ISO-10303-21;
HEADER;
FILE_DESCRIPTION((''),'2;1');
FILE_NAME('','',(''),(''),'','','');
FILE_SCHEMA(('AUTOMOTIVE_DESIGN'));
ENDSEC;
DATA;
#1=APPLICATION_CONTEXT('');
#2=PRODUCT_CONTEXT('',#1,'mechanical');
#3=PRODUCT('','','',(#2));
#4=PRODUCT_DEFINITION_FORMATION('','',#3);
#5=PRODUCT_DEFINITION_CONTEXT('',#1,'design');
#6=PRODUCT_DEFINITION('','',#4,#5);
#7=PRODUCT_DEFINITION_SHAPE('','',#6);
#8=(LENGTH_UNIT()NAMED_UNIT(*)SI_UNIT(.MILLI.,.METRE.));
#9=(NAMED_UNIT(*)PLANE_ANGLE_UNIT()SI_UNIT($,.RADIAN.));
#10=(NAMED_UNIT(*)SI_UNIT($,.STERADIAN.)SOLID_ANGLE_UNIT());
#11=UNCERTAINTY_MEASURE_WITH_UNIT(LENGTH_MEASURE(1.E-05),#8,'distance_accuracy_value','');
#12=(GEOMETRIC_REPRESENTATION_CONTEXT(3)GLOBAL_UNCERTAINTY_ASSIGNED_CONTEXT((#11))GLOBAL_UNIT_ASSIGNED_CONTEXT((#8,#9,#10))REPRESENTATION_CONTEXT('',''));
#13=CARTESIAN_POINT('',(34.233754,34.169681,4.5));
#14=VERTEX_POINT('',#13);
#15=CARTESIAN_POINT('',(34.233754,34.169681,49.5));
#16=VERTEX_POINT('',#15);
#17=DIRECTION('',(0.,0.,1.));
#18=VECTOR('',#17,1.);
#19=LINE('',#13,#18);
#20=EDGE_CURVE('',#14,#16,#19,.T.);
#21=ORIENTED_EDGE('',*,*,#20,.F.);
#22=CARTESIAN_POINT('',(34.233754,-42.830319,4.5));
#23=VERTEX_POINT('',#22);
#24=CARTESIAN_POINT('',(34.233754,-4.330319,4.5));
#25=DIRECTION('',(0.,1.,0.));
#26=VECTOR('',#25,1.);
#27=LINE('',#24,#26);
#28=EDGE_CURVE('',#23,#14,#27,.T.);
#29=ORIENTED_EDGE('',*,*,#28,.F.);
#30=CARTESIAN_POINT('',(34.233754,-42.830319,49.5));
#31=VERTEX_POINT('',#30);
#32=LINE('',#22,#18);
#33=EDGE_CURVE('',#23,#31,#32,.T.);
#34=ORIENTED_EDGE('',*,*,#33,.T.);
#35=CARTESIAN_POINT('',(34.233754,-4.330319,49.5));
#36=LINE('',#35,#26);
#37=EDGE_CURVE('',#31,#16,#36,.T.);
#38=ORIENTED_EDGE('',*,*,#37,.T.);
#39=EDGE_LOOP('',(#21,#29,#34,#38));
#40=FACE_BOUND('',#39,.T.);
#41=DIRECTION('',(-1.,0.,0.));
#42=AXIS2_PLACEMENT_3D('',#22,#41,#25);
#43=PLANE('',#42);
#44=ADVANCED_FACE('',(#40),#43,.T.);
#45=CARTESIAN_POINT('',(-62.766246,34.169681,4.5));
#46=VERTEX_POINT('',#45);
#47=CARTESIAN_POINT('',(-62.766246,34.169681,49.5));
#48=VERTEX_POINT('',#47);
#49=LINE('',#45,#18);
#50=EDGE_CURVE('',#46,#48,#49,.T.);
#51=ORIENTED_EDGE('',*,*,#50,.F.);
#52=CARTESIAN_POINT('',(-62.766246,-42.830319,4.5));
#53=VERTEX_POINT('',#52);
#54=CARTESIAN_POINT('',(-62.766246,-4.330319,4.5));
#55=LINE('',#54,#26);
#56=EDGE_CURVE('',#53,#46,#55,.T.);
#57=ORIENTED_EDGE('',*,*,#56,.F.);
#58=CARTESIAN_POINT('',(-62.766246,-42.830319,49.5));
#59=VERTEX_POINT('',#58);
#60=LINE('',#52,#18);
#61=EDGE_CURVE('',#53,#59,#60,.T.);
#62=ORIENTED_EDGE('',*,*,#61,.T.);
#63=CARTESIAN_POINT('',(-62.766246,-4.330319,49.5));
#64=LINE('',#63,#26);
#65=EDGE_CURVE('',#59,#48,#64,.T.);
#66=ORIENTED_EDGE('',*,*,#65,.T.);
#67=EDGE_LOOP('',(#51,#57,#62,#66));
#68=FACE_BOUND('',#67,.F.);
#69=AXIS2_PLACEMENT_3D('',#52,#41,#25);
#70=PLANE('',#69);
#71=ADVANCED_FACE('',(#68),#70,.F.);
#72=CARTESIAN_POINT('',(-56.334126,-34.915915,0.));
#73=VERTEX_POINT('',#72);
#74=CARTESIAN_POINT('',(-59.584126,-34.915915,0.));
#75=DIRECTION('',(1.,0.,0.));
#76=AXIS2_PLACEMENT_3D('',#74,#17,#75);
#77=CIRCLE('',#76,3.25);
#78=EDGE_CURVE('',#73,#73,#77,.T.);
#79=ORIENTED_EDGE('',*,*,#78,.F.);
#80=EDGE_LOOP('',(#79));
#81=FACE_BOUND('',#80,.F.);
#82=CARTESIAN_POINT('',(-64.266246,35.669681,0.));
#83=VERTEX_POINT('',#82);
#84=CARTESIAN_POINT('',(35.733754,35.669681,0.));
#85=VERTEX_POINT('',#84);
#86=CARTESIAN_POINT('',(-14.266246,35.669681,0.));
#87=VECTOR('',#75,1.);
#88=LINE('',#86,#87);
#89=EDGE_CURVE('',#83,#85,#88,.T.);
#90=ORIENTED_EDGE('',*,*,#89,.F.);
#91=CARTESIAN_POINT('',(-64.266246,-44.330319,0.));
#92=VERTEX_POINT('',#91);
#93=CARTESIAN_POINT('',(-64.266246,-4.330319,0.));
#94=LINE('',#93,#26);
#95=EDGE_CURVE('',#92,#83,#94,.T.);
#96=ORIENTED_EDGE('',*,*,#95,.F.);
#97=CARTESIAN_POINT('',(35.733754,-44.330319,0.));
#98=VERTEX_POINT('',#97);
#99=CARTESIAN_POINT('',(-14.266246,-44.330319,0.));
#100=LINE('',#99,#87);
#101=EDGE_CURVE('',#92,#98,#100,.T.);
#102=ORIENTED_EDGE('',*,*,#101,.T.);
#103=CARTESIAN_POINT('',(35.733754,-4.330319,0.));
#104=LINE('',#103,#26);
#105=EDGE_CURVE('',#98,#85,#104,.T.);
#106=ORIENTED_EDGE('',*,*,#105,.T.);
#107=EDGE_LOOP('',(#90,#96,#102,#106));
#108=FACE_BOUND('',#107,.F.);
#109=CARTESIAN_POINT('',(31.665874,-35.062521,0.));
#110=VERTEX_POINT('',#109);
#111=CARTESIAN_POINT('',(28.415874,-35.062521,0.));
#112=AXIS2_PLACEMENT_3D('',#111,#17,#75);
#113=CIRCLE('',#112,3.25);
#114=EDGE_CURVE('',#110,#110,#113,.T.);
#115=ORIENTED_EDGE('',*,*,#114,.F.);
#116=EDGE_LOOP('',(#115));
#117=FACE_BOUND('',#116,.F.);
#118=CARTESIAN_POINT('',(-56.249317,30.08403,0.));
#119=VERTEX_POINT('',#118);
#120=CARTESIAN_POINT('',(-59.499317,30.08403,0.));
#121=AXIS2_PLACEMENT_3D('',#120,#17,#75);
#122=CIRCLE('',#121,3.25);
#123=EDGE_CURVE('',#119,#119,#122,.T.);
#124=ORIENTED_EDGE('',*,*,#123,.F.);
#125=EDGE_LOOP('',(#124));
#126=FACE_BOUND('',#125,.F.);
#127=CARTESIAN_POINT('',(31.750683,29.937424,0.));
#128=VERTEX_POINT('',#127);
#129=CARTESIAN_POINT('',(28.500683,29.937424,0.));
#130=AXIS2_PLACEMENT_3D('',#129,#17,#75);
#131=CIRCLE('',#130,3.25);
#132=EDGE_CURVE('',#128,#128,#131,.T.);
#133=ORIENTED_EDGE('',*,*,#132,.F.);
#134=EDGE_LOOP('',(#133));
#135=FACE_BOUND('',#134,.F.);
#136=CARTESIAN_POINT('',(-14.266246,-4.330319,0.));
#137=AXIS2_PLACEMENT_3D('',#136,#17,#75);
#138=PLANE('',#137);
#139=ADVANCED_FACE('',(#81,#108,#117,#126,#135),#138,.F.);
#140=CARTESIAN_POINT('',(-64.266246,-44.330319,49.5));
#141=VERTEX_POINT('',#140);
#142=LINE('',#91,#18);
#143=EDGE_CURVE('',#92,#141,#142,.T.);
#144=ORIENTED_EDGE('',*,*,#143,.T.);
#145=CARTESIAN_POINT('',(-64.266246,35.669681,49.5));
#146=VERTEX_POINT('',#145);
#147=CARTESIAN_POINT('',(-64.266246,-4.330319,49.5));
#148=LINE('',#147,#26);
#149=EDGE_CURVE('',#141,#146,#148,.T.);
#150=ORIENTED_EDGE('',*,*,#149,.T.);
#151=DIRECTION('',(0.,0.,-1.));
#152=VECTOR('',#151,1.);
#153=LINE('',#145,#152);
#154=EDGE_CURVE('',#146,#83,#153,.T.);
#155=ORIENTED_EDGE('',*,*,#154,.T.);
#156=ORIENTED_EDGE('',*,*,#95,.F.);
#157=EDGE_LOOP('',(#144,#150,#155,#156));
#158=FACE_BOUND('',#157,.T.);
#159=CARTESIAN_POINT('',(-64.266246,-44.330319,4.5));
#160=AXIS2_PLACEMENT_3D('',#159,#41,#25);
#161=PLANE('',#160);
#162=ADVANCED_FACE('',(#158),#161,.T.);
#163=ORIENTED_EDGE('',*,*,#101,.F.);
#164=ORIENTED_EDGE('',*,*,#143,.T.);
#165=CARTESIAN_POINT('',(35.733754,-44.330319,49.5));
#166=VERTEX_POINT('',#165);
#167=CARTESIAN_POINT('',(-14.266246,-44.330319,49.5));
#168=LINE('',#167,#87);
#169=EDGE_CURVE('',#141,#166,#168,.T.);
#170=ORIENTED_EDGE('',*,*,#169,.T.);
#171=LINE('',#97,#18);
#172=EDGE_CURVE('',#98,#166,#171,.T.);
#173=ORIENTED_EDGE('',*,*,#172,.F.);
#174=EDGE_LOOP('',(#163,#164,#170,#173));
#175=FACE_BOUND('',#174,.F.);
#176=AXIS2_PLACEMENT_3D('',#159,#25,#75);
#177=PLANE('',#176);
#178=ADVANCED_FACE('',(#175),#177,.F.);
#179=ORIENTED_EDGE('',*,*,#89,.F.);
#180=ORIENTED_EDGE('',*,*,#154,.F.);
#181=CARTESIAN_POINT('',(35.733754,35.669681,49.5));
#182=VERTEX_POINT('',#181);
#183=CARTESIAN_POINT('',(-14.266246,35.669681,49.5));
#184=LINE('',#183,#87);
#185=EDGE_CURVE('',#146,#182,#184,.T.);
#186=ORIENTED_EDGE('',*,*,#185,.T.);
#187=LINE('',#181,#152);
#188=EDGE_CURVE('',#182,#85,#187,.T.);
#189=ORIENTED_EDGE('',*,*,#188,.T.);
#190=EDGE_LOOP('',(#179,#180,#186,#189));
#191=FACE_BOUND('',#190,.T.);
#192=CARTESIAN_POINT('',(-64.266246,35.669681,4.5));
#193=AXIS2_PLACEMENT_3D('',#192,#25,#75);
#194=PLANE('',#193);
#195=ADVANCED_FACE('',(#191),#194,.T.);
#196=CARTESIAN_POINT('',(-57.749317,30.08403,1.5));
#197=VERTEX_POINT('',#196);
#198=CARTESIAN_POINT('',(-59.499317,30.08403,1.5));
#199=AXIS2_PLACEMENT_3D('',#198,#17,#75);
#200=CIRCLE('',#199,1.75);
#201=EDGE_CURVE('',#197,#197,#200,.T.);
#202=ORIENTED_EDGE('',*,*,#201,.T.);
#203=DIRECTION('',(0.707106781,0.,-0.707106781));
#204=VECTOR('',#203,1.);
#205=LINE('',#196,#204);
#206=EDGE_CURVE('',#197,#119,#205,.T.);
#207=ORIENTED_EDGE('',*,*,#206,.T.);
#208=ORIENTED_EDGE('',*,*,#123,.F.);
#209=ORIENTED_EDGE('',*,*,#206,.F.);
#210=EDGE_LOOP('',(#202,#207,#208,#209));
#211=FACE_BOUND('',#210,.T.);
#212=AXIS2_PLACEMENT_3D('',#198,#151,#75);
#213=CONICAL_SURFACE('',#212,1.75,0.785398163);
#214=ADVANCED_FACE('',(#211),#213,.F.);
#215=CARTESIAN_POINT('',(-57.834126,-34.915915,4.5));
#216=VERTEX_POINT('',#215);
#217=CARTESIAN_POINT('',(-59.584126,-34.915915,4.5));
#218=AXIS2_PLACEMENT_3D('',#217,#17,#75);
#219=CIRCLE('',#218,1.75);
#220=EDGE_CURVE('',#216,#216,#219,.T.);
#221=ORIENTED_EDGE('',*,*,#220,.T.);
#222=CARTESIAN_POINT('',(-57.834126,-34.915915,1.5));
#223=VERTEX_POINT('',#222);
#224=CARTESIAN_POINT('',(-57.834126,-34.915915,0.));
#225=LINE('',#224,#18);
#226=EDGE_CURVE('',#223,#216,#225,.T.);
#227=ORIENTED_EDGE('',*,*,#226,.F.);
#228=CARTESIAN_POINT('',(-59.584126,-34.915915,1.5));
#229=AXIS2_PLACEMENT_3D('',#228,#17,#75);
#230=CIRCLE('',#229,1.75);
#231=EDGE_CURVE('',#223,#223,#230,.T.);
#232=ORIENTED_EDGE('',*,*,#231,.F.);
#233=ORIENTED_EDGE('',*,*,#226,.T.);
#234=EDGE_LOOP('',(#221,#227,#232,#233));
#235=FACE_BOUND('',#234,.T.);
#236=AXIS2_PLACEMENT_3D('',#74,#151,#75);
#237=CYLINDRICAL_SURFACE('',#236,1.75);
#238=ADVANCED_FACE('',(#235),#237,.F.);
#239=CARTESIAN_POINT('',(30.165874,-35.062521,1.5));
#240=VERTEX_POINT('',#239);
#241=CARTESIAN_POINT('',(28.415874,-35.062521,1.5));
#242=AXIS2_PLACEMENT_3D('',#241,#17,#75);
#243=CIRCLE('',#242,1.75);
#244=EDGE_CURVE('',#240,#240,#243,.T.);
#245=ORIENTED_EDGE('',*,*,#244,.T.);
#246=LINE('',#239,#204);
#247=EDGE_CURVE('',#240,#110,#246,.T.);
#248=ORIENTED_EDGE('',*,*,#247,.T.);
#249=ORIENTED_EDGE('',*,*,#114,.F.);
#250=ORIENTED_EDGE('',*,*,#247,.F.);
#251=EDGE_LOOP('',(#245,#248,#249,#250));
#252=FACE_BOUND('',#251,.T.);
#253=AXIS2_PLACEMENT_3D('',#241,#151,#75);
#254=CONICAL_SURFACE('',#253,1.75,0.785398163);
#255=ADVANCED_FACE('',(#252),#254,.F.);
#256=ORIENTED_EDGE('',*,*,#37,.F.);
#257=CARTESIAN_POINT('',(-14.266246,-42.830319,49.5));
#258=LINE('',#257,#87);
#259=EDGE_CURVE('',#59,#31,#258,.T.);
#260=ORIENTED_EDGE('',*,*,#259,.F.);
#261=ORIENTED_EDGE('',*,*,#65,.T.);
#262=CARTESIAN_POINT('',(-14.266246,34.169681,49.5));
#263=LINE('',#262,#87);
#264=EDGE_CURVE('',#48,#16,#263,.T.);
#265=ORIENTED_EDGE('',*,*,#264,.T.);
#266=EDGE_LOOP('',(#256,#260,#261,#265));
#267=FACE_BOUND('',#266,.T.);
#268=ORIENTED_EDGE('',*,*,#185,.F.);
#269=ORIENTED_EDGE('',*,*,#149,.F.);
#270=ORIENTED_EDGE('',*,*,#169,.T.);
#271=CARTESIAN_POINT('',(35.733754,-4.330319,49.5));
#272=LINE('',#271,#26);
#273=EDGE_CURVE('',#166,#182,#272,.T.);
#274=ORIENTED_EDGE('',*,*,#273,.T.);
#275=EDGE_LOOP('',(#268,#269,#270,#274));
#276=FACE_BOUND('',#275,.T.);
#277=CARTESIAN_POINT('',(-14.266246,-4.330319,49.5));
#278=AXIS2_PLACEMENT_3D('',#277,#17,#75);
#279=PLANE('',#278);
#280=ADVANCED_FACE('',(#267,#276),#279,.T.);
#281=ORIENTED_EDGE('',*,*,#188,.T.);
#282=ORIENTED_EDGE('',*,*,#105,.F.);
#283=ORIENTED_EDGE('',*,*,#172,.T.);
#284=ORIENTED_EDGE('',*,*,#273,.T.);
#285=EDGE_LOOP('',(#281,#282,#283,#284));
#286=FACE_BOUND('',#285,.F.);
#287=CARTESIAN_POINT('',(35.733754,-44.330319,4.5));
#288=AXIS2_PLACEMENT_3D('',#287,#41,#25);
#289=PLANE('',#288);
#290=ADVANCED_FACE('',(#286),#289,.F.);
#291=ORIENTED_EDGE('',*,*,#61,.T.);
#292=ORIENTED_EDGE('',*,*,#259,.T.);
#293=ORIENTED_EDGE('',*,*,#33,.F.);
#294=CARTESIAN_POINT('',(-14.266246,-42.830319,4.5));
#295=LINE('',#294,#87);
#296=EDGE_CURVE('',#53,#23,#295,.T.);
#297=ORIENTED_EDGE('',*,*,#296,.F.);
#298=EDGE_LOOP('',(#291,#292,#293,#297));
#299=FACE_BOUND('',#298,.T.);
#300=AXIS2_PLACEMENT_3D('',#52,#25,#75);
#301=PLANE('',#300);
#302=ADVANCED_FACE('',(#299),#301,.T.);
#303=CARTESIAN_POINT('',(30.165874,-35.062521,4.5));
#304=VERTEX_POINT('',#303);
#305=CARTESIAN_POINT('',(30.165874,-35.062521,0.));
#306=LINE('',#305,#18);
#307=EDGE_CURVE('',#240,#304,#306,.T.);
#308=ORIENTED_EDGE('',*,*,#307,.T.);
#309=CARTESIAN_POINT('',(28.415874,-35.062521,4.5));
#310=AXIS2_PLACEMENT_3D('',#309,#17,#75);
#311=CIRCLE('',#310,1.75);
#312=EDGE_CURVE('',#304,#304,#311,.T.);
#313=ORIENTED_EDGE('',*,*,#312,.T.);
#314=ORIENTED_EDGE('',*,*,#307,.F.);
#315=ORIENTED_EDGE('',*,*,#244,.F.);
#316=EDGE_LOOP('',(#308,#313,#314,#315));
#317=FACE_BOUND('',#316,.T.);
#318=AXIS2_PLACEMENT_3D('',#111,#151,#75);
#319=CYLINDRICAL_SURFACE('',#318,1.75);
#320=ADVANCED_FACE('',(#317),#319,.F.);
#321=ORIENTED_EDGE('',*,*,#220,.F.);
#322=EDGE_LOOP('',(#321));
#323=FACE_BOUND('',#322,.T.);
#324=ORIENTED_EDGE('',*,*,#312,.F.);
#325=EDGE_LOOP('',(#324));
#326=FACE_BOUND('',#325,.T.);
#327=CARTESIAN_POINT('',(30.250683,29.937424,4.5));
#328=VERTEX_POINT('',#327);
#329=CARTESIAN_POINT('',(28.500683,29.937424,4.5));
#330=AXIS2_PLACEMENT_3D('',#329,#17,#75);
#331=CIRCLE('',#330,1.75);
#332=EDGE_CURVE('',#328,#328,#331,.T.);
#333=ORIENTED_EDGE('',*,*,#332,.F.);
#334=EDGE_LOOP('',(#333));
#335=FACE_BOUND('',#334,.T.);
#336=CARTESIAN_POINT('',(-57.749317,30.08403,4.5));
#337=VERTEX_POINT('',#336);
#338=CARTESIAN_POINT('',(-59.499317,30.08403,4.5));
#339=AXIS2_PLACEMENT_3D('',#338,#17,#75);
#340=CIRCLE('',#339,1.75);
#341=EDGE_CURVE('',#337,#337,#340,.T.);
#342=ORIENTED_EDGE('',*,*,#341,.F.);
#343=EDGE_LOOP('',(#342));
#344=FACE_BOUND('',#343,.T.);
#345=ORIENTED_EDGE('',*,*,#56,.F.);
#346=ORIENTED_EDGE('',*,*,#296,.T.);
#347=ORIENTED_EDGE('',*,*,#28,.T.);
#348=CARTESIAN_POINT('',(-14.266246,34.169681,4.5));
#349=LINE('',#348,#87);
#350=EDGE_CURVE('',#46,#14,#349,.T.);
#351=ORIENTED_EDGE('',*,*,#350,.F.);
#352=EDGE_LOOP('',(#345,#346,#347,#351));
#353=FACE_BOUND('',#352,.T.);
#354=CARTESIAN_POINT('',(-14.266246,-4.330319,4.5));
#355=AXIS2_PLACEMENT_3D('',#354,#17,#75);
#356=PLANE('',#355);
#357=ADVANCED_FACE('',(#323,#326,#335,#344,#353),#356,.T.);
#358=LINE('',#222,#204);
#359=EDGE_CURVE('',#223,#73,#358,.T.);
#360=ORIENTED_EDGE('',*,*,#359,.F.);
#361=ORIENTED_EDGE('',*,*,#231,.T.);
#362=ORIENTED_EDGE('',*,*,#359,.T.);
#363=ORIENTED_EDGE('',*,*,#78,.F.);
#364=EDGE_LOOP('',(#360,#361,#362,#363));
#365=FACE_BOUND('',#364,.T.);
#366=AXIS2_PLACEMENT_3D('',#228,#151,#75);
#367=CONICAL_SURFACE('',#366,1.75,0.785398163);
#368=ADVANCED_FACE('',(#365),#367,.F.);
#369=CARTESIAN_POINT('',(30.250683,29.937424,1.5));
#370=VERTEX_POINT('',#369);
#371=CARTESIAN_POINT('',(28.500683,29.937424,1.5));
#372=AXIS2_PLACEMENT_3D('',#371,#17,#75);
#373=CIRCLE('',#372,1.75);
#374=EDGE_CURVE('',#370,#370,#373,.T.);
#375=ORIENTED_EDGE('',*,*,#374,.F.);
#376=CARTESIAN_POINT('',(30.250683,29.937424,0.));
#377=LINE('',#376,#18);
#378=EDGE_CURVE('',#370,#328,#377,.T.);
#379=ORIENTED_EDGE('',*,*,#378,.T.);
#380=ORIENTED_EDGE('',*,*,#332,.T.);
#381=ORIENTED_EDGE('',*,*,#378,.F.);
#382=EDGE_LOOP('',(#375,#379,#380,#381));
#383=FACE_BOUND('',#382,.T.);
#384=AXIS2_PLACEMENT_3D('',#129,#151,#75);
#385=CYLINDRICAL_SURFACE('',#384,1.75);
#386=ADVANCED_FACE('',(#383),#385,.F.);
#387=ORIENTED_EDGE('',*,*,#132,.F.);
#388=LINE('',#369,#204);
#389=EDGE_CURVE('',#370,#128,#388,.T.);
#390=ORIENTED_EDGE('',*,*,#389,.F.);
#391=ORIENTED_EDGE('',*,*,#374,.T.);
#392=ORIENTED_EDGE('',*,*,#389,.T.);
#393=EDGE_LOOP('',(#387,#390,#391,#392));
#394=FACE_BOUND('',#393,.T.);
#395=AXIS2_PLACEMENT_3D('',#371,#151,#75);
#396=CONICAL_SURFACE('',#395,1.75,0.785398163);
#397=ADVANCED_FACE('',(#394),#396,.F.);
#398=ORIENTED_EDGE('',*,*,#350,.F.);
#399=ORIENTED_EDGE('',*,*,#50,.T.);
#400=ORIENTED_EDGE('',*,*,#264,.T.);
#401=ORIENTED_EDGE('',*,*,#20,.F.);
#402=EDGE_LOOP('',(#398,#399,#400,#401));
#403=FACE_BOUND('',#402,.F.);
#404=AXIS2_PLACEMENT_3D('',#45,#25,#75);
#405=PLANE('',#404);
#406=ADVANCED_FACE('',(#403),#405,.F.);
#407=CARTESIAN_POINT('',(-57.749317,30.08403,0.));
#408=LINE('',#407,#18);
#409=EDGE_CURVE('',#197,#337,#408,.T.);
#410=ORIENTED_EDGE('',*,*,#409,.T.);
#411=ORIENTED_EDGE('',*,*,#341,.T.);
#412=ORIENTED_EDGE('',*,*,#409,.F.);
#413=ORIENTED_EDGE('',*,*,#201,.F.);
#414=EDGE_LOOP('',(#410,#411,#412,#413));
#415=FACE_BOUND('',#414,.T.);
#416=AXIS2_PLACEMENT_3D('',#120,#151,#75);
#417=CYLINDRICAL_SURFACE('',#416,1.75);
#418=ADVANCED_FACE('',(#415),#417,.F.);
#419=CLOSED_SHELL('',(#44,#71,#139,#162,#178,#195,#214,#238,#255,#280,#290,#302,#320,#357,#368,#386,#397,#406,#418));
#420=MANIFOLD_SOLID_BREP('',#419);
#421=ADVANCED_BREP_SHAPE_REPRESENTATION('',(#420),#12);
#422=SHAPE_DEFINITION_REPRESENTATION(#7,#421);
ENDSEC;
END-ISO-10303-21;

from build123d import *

# Parameters (mm, degrees)
SKETCH004_W     = 100
SKETCH004_H     = 80
SKETCH004_R     = 1.75
PAD003_DEPTH    = 4.5
CHAMFER001_SIZE = 1.5
SKETCH003_W     = 100
SKETCH003_H     = 80
SKETCH003_W_2   = 97
SKETCH003_H_2   = 77
PAD002_DEPTH    = 45


with BuildPart() as part:
    # Sketch004 → Pad003 (new body)
    with BuildSketch(Plane.XY):
        with Locations((-14.266246, -4.330319)):
            Rectangle(SKETCH004_W, SKETCH004_H)
        with Locations((-59.499317, 30.08403)):
            Circle(SKETCH004_R, mode=Mode.SUBTRACT)
        with Locations((28.500683, 29.937424)):
            Circle(SKETCH004_R, mode=Mode.SUBTRACT)
        with Locations((-59.584126, -34.915915)):
            Circle(SKETCH004_R, mode=Mode.SUBTRACT)
        with Locations((28.415874, -35.062521)):
            Circle(SKETCH004_R, mode=Mode.SUBTRACT)
    extrude(amount=PAD003_DEPTH)

    # Chamfer001
    chamfer001_edges = [part.edges().sort_by_distance(p)[0] for p in [
        (-61.334126, -34.915915, 0),
        (26.665874, -35.062521, 0),
        (26.750683, 29.937424, 0),
        (-61.249317, 30.08403, 0),
    ]]
    chamfer(chamfer001_edges, length=CHAMFER001_SIZE)

    # Sketch003 (on Face3 of Chamfer001) → Pad002 (join)
    with BuildSketch(Plane.XY.offset(4.5)):
        with Locations((-14.266246, -4.330319)):
            Rectangle(SKETCH003_W, SKETCH003_H)
        with Locations((-14.266246, -4.330319)):
            Rectangle(SKETCH003_W_2, SKETCH003_H_2, mode=Mode.SUBTRACT)
    extrude(amount=PAD002_DEPTH)


solid = part.part
